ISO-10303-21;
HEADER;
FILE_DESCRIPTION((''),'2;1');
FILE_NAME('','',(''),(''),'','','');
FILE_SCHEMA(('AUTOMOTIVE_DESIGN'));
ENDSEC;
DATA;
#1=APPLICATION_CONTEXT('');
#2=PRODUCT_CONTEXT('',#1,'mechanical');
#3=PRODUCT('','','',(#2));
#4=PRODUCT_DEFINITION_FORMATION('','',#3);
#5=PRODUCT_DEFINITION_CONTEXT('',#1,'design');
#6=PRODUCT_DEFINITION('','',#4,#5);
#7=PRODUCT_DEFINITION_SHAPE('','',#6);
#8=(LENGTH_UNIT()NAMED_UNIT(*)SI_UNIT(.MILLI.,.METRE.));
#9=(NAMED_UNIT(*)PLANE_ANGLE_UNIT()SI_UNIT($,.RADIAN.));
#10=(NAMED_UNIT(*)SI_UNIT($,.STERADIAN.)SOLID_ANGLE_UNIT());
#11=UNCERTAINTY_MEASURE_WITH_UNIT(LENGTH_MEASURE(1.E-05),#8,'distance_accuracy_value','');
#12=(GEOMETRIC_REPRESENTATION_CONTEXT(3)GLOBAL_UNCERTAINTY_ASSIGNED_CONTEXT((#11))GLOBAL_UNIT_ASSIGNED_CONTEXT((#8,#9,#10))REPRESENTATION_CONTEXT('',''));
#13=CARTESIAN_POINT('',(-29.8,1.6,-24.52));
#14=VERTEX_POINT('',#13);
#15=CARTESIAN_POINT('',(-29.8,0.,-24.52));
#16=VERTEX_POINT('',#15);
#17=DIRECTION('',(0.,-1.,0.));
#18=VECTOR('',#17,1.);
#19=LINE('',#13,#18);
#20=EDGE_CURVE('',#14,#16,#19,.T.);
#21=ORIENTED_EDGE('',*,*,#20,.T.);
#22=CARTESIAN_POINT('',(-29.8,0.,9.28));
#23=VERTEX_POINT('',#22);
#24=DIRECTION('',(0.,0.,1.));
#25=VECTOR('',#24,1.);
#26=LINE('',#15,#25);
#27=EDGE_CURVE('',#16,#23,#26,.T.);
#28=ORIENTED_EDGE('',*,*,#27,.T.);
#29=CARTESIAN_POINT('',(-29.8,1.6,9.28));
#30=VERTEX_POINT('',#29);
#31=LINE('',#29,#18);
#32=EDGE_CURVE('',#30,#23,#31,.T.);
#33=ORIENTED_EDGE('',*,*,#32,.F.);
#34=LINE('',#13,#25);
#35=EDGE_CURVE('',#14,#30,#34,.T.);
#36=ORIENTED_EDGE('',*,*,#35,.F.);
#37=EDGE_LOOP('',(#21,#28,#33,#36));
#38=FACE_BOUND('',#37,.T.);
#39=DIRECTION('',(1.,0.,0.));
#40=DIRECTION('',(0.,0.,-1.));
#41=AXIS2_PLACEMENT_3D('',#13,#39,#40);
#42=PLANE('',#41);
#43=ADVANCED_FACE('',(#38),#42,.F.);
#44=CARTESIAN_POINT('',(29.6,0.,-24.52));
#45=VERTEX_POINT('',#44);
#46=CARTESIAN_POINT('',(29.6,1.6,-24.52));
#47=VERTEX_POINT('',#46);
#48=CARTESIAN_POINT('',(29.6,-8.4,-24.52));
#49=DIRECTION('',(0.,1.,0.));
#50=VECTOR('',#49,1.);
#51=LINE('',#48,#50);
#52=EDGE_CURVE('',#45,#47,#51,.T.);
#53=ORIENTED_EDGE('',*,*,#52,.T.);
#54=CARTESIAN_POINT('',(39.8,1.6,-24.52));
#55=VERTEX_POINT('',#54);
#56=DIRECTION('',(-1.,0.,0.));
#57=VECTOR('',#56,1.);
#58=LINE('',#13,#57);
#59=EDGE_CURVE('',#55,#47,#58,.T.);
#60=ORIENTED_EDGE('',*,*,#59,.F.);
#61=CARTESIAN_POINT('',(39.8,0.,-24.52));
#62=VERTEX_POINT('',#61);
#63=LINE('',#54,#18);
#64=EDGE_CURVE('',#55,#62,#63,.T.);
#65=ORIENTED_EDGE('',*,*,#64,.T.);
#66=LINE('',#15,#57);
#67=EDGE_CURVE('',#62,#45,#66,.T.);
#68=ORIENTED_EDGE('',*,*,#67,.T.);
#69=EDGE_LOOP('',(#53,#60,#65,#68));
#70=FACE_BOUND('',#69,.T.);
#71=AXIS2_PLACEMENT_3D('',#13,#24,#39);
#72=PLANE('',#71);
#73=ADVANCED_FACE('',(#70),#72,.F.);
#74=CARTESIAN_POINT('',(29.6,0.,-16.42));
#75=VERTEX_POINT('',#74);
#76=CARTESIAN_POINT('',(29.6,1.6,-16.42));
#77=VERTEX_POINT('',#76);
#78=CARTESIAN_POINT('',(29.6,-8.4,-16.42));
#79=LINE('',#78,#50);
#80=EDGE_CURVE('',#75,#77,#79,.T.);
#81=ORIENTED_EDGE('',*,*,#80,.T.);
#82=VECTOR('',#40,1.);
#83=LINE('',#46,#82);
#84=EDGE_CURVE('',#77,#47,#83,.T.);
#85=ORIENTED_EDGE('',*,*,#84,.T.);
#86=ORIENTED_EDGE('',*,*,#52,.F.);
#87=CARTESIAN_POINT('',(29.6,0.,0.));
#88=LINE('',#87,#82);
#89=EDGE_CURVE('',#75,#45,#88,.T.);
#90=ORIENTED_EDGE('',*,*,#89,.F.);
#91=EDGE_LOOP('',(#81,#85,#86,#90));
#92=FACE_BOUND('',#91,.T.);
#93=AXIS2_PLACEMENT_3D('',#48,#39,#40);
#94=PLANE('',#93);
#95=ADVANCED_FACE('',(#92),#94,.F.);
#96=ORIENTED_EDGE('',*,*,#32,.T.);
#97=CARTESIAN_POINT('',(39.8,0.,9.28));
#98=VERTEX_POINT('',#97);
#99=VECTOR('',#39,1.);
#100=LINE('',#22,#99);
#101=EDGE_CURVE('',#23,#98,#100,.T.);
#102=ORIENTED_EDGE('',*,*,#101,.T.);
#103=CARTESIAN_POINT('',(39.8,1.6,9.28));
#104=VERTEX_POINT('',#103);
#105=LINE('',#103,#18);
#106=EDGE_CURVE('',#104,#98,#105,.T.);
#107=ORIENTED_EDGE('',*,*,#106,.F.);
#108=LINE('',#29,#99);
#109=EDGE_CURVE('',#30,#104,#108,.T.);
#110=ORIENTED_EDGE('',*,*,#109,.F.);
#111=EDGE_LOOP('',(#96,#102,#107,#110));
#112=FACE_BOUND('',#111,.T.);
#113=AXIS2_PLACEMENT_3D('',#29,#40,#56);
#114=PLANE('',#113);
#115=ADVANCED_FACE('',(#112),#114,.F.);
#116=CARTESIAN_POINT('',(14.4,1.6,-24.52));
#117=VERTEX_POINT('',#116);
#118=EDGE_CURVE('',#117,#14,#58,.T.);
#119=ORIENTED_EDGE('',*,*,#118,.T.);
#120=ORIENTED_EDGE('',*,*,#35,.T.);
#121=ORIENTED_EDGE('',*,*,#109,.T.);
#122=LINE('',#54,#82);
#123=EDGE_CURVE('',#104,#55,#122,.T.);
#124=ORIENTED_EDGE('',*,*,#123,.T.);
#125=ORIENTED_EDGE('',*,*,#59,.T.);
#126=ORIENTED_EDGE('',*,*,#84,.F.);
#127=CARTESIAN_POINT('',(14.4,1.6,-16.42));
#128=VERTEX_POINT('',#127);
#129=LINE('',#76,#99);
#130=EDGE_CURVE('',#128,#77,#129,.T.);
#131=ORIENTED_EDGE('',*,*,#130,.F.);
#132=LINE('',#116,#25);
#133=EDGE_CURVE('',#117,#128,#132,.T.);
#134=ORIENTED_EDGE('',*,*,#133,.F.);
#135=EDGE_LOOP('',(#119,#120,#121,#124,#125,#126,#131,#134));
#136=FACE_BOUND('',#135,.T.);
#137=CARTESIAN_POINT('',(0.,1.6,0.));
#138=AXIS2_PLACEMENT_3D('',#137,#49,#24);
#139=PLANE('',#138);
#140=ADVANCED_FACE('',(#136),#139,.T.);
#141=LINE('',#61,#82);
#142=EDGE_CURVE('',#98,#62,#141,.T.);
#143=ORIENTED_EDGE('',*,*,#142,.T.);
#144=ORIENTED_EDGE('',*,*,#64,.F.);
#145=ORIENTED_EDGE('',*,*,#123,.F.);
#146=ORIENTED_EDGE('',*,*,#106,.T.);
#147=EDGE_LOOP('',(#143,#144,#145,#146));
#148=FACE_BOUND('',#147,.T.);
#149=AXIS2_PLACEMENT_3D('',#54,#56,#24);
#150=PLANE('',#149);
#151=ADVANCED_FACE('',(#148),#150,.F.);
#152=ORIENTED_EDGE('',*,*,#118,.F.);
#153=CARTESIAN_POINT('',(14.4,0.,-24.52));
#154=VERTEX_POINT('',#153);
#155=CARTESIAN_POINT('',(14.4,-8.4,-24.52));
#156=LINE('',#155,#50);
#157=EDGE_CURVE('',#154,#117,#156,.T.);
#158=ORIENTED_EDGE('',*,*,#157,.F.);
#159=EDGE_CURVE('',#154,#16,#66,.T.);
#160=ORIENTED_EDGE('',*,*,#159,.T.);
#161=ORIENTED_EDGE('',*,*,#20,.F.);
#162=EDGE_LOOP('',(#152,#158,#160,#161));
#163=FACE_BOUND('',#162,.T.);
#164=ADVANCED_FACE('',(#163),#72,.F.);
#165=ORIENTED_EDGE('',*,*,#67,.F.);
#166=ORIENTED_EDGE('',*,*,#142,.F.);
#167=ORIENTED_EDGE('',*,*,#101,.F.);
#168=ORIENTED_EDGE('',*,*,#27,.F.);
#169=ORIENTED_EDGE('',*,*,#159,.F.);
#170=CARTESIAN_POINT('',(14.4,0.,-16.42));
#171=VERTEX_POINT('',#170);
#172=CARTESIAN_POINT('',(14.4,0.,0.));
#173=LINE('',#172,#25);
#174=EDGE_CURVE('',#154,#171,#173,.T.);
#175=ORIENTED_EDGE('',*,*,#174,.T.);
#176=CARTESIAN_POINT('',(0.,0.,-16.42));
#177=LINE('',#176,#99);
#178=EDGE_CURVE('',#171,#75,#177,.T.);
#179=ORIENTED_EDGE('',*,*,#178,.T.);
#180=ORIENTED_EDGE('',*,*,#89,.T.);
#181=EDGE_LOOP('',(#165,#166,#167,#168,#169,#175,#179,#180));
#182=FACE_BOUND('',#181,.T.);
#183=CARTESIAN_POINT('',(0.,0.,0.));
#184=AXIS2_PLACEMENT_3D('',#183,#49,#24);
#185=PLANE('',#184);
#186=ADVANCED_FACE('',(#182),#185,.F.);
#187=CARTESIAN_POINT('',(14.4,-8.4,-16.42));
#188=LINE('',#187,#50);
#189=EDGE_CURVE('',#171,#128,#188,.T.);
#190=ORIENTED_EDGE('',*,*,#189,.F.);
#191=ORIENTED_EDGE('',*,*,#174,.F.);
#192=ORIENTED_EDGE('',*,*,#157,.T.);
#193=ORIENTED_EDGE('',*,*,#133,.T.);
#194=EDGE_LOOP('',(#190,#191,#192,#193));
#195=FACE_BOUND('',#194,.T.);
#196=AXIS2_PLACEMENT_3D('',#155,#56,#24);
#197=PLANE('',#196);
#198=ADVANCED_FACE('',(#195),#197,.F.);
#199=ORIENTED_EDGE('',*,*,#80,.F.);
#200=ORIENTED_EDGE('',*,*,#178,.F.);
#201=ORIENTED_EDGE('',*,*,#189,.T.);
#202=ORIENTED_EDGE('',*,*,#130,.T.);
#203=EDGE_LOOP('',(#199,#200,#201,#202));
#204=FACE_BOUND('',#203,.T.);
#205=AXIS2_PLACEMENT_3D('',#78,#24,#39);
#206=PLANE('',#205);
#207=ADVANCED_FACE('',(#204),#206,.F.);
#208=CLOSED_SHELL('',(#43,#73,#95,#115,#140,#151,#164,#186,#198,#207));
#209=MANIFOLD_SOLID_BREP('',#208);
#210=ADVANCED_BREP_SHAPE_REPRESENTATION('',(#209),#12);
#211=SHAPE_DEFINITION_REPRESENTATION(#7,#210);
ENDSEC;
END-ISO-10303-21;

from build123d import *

# Parameters (mm, degrees)
SKETCH1_W           = 69.6
SKETCH1_H           = 33.8
BOSS_EXTRUDE2_DEPTH = 1.6
SKETCH5_W           = 15.2
SKETCH5_H           = 8.1
CUT_EXTRUDE6_DEPTH  = 10


with BuildPart() as part:
    # Sketch1 → Boss-Extrude2 (new body)
    with BuildSketch(Plane(origin=(0, 0, 0), x_dir=(1, 0, 0), z_dir=(0, 1, 0))):
        with Locations((5, 7.62)):
            Rectangle(SKETCH1_W, SKETCH1_H)
    extrude(amount=BOSS_EXTRUDE2_DEPTH)

    # Sketch5 → Cut-Extrude6 (cut)
    with BuildSketch(Plane(origin=(0, 1.6, 0), x_dir=(1, 0, 0), z_dir=(0, 1, 0))):
        with Locations((22, 20.47)):
            Rectangle(SKETCH5_W, SKETCH5_H)
    extrude(amount=-CUT_EXTRUDE6_DEPTH, mode=Mode.SUBTRACT)


solid = part.part
